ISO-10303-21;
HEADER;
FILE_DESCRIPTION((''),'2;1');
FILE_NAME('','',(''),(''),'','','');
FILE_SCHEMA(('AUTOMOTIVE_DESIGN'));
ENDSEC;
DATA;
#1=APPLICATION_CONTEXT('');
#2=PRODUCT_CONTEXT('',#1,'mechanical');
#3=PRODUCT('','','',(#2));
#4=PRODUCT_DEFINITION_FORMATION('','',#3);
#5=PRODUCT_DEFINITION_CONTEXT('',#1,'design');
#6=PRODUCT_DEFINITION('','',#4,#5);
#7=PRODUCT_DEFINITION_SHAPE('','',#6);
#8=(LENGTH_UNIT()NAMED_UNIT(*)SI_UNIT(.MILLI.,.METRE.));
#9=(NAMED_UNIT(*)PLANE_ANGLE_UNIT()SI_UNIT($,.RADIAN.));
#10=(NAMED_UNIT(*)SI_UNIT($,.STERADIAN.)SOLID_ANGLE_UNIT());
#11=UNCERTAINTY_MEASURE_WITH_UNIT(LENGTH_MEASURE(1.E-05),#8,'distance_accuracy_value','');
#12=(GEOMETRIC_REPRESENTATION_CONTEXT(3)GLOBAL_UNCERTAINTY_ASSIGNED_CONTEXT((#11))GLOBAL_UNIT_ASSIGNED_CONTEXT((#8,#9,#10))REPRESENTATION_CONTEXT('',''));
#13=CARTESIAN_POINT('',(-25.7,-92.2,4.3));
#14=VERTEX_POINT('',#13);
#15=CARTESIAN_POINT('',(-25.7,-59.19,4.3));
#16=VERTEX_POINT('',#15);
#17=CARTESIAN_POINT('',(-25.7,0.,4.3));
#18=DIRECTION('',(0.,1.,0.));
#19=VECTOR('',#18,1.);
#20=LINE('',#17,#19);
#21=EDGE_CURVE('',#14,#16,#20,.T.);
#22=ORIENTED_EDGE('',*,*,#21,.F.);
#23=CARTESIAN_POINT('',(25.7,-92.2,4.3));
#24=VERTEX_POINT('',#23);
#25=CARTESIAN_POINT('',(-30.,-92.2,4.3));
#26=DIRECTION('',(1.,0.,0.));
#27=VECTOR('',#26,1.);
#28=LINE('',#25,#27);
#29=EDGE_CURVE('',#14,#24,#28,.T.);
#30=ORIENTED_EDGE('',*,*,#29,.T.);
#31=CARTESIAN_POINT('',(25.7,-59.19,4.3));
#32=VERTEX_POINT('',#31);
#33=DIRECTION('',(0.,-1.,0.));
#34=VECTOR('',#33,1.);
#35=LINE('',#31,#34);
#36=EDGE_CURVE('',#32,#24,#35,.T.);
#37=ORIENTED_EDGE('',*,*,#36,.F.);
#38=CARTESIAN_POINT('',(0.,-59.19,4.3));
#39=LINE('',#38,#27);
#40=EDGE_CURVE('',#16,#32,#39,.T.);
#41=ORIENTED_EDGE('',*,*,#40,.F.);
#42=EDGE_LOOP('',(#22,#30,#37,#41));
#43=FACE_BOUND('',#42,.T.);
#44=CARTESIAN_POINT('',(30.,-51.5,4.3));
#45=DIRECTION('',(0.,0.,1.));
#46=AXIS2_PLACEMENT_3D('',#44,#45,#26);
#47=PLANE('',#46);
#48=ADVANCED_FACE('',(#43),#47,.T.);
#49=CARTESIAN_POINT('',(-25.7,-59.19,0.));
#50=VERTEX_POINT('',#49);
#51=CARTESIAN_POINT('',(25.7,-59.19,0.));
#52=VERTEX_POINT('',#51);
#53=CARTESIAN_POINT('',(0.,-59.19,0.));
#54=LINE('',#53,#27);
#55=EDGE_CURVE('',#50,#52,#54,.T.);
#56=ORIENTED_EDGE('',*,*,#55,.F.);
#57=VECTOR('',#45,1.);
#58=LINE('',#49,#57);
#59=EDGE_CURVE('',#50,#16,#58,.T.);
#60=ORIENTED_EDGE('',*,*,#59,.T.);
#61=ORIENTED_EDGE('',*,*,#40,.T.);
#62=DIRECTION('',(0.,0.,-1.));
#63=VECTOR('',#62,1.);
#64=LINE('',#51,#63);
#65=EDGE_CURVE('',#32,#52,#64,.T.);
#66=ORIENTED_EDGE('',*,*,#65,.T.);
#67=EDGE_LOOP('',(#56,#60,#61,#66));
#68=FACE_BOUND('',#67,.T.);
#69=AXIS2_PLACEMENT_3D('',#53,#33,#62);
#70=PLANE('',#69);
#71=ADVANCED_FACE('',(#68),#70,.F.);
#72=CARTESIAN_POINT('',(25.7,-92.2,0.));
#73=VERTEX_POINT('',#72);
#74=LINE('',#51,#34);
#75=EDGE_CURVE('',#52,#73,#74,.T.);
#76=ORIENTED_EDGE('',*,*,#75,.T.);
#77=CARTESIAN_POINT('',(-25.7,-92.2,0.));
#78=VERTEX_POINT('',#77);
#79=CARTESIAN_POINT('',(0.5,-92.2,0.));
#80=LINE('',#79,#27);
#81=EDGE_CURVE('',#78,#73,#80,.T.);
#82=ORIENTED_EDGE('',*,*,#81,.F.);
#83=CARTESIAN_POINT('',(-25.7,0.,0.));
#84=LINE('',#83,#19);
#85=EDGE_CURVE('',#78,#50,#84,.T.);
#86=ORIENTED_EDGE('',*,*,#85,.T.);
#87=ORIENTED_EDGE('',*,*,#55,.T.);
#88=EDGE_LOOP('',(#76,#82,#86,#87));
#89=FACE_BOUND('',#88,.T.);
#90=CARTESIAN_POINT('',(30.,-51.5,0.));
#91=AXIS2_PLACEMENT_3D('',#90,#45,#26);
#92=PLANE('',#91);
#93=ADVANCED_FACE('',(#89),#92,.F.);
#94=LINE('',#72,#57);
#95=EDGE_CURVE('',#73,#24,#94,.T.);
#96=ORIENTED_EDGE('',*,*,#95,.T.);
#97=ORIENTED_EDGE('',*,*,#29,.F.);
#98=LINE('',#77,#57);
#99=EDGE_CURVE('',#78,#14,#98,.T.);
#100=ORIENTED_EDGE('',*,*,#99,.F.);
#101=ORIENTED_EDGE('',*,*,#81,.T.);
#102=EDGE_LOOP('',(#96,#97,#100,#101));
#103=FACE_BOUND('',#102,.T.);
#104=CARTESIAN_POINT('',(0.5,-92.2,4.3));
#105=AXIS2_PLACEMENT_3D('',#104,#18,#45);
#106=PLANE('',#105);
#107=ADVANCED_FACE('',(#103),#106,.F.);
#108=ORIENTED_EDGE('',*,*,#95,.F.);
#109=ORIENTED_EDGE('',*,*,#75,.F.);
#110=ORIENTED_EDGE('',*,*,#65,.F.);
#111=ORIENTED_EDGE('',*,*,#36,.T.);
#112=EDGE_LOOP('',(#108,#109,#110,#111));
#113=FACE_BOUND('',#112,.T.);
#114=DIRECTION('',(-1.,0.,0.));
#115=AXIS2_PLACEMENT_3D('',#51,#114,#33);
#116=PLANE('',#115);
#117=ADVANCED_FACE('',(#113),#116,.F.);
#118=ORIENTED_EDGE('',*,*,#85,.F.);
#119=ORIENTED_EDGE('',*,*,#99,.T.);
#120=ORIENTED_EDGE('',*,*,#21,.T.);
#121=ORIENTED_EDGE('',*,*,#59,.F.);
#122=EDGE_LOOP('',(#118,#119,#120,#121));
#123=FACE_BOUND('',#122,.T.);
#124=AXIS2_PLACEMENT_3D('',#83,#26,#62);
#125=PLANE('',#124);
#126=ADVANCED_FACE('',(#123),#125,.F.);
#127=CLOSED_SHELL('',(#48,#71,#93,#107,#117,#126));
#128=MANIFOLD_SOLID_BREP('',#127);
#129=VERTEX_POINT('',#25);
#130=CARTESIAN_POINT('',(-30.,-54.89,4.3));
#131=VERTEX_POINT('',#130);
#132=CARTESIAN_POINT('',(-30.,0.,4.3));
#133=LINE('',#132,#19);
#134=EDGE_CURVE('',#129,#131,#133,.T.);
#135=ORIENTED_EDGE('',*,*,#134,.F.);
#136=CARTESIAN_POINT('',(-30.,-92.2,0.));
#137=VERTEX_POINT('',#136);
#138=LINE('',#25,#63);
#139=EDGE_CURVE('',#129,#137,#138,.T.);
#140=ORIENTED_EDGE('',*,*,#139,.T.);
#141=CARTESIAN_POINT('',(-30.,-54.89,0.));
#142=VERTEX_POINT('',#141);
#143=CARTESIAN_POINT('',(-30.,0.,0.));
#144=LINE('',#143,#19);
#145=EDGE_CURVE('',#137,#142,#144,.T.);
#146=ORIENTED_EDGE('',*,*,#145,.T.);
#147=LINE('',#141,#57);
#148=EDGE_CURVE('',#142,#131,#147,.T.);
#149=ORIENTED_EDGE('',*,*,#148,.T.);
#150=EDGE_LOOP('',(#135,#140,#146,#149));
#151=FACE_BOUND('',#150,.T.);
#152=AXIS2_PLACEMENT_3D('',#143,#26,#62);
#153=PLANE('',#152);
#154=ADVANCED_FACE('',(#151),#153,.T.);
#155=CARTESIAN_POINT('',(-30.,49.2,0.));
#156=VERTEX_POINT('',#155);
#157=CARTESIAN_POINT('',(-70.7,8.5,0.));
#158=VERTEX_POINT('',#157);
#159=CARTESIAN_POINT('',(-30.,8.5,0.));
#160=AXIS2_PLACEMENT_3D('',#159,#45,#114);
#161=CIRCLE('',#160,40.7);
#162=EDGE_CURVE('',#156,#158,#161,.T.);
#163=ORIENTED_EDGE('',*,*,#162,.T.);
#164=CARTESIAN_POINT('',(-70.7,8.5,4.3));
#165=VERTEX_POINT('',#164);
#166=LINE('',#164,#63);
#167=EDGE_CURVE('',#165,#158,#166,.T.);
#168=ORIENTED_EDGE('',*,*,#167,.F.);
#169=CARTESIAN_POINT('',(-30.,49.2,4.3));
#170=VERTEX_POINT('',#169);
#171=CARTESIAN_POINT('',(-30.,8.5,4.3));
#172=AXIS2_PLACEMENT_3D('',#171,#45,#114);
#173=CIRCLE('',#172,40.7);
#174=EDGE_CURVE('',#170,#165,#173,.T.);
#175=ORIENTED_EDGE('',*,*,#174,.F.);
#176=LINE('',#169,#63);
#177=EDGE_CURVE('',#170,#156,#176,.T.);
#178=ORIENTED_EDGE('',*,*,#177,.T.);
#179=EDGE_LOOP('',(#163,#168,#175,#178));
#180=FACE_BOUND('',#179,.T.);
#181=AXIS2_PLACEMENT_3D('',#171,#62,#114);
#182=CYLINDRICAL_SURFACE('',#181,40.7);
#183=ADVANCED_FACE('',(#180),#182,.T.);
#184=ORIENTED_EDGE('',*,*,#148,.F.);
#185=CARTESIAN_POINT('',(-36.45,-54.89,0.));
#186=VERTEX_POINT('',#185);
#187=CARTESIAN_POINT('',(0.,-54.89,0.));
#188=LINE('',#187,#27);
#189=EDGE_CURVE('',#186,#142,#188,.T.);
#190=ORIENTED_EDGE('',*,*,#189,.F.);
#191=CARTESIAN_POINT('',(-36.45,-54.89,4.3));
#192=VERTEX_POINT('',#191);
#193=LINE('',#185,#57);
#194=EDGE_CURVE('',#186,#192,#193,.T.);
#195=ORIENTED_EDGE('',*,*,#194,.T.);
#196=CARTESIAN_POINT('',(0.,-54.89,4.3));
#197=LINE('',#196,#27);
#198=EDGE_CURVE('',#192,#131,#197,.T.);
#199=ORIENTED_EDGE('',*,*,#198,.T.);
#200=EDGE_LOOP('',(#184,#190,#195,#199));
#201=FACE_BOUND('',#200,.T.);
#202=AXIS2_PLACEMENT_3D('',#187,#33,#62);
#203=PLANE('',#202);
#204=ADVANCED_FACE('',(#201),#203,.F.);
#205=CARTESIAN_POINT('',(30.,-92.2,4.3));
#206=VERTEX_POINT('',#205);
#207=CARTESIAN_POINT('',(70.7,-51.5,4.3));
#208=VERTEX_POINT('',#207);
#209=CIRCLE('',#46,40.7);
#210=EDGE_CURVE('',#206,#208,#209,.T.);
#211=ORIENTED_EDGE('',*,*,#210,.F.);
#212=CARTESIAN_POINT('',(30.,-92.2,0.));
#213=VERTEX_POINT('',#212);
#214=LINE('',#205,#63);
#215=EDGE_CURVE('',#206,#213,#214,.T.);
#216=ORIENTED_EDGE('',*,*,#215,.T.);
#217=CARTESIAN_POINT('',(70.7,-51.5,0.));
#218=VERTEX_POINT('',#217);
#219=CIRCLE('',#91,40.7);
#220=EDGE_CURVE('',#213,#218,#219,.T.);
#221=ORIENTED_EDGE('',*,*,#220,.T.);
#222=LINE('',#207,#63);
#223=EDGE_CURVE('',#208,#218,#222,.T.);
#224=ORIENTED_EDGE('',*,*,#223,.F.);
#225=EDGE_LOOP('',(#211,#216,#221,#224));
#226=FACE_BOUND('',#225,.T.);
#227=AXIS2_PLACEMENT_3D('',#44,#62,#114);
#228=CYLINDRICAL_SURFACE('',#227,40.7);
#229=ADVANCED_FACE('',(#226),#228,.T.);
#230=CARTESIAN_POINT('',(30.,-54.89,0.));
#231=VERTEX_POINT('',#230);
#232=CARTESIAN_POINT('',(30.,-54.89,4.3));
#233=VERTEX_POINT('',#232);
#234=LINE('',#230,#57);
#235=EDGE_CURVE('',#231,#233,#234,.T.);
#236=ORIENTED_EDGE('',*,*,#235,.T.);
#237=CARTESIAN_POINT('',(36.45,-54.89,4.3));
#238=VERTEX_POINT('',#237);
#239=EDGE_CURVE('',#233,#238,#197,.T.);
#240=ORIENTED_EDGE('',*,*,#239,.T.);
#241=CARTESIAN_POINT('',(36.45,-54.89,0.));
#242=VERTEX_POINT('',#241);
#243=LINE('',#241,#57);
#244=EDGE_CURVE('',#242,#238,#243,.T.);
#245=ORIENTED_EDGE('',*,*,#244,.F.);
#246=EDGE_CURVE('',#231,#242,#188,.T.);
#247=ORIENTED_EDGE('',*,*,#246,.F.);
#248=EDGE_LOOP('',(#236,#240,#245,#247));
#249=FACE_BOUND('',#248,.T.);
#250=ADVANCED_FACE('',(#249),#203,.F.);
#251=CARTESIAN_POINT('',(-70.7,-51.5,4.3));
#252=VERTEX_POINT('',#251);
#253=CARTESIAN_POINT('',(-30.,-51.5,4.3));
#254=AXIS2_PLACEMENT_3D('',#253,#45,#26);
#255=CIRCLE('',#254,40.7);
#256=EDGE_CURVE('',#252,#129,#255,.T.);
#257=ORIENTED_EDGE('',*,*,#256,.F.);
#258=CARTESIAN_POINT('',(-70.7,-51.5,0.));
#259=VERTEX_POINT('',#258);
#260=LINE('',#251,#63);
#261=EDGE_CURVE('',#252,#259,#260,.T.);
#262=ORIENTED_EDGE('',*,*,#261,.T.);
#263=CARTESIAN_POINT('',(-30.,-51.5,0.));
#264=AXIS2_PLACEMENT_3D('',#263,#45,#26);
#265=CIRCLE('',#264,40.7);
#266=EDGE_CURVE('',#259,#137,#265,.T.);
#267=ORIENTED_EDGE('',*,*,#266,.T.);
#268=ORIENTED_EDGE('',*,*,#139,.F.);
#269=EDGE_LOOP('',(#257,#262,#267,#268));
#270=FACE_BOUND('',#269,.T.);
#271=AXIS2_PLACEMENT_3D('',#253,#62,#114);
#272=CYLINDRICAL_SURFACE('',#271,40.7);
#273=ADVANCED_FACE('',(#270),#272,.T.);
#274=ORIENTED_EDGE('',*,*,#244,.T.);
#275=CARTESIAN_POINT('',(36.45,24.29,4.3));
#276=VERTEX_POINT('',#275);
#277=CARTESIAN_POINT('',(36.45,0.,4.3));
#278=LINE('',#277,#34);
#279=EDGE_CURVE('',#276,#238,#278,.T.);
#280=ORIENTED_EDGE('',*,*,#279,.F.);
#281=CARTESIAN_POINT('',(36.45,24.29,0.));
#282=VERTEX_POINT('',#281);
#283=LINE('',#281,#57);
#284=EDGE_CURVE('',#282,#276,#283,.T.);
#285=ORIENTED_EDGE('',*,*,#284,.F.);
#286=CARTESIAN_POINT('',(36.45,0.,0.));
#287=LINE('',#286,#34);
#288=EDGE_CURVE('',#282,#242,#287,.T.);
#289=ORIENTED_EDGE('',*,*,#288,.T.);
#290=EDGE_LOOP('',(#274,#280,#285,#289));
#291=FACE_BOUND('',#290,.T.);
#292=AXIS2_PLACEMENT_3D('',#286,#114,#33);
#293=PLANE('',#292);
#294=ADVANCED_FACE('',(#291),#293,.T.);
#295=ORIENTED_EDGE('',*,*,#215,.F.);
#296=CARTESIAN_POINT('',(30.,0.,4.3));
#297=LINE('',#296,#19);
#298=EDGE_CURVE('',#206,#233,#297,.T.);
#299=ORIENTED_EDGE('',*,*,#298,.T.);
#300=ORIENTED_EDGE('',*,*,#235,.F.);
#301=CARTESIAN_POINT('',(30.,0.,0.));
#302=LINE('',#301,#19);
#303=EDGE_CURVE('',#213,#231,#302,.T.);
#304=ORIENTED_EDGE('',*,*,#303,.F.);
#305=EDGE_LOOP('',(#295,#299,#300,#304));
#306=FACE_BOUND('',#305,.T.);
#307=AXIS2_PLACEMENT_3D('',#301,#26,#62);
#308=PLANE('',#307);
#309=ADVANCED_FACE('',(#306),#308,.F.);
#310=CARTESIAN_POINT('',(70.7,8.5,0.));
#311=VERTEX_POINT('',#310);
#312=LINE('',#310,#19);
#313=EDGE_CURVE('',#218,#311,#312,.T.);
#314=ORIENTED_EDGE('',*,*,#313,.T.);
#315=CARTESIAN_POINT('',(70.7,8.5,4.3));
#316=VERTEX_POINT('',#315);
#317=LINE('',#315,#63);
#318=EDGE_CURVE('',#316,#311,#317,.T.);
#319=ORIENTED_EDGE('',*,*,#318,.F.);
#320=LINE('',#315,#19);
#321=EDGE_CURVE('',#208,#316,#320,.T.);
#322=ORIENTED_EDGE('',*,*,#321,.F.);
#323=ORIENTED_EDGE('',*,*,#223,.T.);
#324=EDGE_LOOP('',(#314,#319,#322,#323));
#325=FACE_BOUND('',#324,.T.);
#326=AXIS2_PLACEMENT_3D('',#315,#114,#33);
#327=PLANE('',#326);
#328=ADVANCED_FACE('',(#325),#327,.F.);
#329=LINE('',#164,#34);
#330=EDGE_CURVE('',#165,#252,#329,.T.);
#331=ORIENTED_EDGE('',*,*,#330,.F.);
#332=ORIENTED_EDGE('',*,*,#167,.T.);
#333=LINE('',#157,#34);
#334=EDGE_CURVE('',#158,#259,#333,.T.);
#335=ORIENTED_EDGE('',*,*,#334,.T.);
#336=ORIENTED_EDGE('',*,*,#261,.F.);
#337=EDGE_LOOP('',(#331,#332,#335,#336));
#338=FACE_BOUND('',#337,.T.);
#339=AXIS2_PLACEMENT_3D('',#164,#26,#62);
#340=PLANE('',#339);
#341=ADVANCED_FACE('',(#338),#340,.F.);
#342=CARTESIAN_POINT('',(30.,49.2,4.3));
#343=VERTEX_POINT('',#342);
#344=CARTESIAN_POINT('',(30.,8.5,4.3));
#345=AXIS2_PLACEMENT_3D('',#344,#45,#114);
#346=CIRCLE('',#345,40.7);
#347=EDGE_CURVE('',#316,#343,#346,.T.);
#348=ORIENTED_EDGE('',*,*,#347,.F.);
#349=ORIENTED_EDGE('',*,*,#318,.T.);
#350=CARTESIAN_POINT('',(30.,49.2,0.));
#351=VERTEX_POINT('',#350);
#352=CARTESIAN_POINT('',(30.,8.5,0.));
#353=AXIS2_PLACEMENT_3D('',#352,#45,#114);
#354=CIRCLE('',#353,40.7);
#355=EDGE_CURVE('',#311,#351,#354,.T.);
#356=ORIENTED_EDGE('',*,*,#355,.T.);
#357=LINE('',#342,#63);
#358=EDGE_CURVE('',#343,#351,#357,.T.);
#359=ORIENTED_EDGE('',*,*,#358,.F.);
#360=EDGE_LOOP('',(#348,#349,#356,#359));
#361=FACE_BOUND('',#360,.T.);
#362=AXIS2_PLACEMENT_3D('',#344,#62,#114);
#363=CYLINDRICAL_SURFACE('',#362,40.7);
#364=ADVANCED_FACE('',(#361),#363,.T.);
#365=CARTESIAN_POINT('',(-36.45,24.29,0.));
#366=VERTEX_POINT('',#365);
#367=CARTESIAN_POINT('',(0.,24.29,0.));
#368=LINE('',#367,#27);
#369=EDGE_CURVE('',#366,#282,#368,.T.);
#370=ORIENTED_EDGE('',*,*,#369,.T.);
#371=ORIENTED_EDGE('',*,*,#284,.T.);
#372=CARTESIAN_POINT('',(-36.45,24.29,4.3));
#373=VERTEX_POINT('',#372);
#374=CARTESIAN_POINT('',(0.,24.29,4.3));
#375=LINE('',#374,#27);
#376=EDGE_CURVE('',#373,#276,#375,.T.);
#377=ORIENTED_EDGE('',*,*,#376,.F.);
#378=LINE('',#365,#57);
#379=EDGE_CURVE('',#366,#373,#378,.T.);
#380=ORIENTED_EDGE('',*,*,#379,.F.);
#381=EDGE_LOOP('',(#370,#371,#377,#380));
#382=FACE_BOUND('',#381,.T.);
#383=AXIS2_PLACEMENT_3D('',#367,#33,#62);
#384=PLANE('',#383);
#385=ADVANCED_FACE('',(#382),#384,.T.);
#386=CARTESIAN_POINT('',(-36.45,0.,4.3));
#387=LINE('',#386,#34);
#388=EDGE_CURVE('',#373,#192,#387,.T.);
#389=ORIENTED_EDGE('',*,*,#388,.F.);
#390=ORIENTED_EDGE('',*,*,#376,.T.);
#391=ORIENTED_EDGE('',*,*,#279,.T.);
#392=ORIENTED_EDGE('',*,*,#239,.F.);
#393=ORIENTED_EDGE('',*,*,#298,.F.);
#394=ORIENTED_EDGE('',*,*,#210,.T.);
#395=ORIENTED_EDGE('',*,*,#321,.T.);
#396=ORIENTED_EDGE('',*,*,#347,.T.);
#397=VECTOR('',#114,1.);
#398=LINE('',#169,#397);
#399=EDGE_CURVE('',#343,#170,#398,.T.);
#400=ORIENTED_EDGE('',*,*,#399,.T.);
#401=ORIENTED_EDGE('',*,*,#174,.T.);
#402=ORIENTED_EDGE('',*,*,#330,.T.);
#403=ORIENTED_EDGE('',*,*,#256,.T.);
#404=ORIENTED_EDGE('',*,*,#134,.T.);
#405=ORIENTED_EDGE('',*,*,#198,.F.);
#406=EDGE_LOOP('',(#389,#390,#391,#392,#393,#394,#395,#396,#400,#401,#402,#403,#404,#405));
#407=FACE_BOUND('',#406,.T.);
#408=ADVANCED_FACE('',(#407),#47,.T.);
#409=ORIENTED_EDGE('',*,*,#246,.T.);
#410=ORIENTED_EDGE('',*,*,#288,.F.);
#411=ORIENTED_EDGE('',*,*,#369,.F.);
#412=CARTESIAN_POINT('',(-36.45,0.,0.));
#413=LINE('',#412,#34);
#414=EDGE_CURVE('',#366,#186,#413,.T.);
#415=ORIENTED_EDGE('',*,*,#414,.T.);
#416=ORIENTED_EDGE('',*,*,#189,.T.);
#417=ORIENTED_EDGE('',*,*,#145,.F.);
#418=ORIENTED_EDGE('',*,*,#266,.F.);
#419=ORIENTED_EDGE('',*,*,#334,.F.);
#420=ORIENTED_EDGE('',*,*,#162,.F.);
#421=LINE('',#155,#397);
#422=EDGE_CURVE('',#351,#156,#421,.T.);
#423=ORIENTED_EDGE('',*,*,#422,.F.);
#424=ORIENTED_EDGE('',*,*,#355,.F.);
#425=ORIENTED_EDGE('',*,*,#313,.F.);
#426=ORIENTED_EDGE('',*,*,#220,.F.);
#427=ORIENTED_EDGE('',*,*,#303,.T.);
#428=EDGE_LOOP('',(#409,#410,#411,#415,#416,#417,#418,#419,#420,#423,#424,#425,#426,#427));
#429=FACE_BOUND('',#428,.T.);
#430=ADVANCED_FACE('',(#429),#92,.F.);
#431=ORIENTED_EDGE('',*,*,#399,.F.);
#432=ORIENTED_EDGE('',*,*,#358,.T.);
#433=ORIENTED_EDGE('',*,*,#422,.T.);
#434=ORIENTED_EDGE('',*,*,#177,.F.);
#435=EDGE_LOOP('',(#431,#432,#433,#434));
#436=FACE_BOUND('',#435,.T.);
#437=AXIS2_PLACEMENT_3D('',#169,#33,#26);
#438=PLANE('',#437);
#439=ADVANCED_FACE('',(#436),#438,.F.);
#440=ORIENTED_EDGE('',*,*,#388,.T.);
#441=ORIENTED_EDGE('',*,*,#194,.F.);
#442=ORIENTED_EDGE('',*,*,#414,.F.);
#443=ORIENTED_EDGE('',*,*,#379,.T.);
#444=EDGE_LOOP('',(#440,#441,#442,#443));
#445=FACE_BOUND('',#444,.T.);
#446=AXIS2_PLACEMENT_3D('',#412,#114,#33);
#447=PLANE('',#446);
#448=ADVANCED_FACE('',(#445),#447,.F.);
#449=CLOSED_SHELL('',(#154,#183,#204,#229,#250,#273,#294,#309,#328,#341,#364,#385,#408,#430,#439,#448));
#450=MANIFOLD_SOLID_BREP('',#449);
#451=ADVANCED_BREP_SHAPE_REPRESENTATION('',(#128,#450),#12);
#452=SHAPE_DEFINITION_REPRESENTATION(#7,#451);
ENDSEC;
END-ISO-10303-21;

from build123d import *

# Parameters (mm, degrees)
BOSS_EXTRUDE1_DEPTH = 4.3
SKETCH2_W           = 4.3
SKETCH2_H           = 33.01
CUT_EXTRUDE1_DEPTH  = 4.3


with BuildPart() as part:
    # Sketch1 → Boss-Extrude1 (new body)
    with BuildSketch(Plane.XY):
        with BuildLine():
            Line((-0.5, -92.2), (0.5, -92.2))
            Line((0.5, -92.2), (30, -92.2))
            ThreePointArc((30, -92.2), (58.779245994, -80.279245994), (70.7, -51.5))
            Line((70.7, -51.5), (70.7, 8.5))
            ThreePointArc((70.7, 8.5), (58.779245994, 37.279245994), (30, 49.2))
            Line((30, 49.2), (-30, 49.2))
            ThreePointArc((-30, 49.2), (-58.779245994, 37.279245994), (-70.7, 8.5))
            Line((-70.7, 8.5), (-70.7, -51.5))
            ThreePointArc((-70.7, -51.5), (-58.779245994, -80.279245994), (-30, -92.2))
            Line((-30, -92.2), (-0.5, -92.2))
        make_face()
    extrude(amount=BOSS_EXTRUDE1_DEPTH)

    # Sketch2 → Cut-Extrude1 (cut)
    with BuildSketch(Plane.XY.offset(4.3)):
        Polygon((-36.45, -54.89), (-30, -54.89), (30, -54.89), (36.45, -54.89), (36.45, 24.29), (-36.45, 24.29), align=None)
        Polygon((-30, -54.89), (-30, -59.19), (-25.7, -59.19), (25.7, -59.19), (30, -59.19), (30, -54.89), align=None)
        with Locations((-27.85, -75.695)):
            Rectangle(SKETCH2_W, SKETCH2_H)
        with Locations((27.85, -75.695)):
            Rectangle(SKETCH2_W, SKETCH2_H)
    extrude(amount=-CUT_EXTRUDE1_DEPTH, mode=Mode.SUBTRACT)


solid = part.part
